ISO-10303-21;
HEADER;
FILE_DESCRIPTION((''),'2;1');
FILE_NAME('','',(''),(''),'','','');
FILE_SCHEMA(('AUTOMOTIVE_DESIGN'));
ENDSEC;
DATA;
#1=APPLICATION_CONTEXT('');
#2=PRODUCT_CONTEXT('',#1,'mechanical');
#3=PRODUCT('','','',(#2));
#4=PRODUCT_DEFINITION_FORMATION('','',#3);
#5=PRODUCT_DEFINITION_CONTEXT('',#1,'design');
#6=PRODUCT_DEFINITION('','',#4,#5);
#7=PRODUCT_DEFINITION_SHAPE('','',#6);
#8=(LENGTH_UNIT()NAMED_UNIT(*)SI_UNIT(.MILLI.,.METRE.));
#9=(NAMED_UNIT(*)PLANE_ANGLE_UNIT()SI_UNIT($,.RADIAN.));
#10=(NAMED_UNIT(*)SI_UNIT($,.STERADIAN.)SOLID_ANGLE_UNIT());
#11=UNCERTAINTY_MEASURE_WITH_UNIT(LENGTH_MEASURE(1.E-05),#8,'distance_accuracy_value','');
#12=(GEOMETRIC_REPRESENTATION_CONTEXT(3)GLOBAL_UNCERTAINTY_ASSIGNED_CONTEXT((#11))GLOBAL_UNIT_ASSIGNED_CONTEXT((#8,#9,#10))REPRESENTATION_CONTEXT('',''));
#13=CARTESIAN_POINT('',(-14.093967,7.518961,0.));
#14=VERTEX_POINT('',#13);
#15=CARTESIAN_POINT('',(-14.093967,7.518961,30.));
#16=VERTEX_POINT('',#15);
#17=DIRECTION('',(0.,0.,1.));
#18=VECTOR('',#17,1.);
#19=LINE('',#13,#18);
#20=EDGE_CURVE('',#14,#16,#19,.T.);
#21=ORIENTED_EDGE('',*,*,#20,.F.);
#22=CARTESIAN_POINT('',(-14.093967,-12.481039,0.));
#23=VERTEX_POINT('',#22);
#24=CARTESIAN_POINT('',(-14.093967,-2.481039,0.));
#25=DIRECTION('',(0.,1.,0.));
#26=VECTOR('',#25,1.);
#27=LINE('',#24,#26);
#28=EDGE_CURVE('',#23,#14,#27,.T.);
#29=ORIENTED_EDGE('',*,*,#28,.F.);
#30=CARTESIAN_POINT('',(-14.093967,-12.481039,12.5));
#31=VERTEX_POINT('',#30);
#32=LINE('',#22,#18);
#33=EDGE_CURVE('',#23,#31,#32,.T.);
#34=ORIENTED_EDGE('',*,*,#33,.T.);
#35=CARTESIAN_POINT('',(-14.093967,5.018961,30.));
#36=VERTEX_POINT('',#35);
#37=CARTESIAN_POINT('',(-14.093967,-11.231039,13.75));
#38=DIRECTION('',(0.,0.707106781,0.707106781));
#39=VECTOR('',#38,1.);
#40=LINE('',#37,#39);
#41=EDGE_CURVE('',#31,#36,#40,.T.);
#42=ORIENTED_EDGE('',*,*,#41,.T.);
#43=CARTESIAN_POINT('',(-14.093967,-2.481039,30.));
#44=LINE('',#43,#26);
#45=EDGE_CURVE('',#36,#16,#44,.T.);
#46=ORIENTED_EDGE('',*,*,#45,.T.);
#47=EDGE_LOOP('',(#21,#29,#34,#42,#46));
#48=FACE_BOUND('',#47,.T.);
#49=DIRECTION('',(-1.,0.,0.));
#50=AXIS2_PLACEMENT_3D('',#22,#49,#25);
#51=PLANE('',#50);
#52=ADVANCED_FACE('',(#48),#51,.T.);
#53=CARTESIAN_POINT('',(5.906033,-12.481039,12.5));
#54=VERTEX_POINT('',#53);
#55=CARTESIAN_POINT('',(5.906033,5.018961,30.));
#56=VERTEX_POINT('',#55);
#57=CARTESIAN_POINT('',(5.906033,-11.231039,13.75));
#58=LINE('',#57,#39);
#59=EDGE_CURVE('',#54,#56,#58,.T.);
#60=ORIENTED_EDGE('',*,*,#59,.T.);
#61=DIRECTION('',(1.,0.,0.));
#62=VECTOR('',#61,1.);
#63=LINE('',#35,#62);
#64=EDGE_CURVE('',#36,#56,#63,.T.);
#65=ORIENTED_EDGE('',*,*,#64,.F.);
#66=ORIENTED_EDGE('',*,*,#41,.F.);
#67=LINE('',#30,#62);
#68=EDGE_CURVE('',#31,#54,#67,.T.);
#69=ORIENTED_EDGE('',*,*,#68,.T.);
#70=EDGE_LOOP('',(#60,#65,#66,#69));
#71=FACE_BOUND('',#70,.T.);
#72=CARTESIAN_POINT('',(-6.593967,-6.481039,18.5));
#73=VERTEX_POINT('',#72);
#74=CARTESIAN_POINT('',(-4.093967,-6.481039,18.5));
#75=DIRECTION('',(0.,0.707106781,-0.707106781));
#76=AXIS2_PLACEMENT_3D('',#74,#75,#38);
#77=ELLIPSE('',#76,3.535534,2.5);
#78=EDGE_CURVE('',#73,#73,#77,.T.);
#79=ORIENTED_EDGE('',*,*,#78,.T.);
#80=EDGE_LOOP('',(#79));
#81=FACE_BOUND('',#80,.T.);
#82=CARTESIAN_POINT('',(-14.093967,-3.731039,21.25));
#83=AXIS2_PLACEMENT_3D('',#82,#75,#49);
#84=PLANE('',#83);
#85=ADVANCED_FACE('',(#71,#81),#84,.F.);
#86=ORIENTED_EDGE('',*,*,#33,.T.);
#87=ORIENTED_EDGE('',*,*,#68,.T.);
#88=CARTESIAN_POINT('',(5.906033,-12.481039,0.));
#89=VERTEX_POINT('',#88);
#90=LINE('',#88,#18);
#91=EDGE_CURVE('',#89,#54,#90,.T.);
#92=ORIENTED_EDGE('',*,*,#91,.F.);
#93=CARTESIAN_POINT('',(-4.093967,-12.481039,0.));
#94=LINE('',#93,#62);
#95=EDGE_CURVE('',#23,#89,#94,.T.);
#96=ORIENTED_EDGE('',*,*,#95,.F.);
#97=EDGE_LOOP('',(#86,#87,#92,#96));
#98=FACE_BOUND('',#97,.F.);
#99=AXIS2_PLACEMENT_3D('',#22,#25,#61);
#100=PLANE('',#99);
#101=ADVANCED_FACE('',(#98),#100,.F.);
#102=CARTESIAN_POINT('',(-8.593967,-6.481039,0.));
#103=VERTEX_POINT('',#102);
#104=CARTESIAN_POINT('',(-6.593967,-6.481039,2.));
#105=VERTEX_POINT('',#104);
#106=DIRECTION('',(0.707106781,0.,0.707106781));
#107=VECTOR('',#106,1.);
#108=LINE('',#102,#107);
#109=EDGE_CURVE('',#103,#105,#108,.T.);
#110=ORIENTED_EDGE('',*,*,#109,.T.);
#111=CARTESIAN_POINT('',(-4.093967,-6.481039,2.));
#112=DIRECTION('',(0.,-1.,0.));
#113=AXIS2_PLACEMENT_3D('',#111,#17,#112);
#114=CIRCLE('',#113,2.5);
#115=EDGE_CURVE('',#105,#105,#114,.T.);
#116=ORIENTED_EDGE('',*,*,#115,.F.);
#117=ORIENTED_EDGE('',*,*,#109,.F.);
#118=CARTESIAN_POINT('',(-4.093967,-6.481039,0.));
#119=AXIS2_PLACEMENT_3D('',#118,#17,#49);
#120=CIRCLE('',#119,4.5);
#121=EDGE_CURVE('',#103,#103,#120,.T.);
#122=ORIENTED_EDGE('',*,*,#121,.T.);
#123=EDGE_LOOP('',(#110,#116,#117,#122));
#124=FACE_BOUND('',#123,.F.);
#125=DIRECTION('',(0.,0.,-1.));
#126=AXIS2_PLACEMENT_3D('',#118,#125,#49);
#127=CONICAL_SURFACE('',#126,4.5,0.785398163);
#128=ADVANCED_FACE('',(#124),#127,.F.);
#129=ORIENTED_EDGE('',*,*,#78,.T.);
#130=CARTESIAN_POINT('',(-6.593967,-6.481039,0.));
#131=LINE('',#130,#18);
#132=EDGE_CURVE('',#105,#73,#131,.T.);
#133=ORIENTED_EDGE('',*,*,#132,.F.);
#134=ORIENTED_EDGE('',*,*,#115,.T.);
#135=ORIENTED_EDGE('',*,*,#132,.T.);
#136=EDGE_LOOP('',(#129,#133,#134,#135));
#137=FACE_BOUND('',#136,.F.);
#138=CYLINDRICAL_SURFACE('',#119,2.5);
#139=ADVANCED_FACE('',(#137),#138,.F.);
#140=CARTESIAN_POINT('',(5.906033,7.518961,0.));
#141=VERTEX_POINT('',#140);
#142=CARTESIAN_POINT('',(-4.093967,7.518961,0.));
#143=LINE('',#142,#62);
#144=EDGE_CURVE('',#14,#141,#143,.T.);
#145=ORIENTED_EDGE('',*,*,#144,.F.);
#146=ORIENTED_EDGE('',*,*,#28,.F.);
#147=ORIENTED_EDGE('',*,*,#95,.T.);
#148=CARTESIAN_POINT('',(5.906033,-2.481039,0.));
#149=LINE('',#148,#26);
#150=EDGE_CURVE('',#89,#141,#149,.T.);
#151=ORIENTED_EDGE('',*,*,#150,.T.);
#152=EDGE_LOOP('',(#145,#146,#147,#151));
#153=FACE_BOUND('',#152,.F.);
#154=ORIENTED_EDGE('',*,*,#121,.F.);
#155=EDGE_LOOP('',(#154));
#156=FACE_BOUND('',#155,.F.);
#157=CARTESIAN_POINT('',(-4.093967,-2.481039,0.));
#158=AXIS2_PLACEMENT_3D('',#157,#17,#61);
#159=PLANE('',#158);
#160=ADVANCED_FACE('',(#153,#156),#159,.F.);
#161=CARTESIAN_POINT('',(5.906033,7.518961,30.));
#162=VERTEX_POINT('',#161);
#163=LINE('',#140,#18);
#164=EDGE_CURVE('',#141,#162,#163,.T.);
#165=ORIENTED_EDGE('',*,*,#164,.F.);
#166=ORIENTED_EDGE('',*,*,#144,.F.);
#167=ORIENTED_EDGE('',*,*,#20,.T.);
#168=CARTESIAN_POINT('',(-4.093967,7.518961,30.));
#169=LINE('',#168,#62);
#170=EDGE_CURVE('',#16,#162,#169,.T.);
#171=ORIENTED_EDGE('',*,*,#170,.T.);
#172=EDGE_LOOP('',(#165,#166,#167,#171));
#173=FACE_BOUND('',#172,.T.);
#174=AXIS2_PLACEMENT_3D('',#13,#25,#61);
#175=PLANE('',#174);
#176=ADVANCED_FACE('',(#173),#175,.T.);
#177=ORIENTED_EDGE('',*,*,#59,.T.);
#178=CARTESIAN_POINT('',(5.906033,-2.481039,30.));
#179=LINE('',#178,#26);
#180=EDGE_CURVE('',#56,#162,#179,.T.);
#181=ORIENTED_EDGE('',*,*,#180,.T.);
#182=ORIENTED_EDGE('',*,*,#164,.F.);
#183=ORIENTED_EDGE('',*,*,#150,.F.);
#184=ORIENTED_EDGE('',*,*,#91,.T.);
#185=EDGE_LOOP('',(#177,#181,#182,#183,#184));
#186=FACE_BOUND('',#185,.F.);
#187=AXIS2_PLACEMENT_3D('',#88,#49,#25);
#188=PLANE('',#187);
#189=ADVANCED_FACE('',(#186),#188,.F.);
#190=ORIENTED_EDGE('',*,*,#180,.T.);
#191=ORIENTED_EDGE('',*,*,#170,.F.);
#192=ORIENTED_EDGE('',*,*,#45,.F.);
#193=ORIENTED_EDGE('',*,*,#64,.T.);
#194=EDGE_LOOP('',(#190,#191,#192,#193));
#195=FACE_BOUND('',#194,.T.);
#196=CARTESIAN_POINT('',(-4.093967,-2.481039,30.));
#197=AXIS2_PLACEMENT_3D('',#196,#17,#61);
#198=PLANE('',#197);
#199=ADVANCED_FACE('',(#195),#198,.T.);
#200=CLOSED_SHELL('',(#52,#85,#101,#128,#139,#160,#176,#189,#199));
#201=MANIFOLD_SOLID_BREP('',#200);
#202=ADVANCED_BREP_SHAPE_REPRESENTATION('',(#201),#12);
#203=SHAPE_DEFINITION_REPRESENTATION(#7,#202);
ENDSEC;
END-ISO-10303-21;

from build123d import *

# Parameters (mm, degrees)
F0_W           = 20
F0_H           = 20
F1_DEPTH       = 30
F2_SIZE        = 17.5
F4_D           = 5
F4_CSINK_D     = 9
F4_CSINK_ANGLE = 90


with BuildPart() as f1:
    # F0 (on Top) → F1 (new body)
    with BuildSketch(Plane.XY):
        with Locations((-4.093967, -2.481039)):
            Rectangle(F0_W, F0_H)
    extrude(amount=F1_DEPTH)

    # F2
    f2_edges = [f1.edges().sort_by_distance(p)[0] for p in [
        (-4.093967, -12.481039, 30),
    ]]
    chamfer(f2_edges, length=F2_SIZE)

    # F4 (through all)
    with Locations(Plane(origin=(0, 0, 0), x_dir=(1, 0, 0), z_dir=(0, 0, -1))):
        with Locations((-4.093967, 6.481039)):
            CounterSinkHole(F4_D / 2, F4_CSINK_D / 2, counter_sink_angle=F4_CSINK_ANGLE)


solid = f1.part
